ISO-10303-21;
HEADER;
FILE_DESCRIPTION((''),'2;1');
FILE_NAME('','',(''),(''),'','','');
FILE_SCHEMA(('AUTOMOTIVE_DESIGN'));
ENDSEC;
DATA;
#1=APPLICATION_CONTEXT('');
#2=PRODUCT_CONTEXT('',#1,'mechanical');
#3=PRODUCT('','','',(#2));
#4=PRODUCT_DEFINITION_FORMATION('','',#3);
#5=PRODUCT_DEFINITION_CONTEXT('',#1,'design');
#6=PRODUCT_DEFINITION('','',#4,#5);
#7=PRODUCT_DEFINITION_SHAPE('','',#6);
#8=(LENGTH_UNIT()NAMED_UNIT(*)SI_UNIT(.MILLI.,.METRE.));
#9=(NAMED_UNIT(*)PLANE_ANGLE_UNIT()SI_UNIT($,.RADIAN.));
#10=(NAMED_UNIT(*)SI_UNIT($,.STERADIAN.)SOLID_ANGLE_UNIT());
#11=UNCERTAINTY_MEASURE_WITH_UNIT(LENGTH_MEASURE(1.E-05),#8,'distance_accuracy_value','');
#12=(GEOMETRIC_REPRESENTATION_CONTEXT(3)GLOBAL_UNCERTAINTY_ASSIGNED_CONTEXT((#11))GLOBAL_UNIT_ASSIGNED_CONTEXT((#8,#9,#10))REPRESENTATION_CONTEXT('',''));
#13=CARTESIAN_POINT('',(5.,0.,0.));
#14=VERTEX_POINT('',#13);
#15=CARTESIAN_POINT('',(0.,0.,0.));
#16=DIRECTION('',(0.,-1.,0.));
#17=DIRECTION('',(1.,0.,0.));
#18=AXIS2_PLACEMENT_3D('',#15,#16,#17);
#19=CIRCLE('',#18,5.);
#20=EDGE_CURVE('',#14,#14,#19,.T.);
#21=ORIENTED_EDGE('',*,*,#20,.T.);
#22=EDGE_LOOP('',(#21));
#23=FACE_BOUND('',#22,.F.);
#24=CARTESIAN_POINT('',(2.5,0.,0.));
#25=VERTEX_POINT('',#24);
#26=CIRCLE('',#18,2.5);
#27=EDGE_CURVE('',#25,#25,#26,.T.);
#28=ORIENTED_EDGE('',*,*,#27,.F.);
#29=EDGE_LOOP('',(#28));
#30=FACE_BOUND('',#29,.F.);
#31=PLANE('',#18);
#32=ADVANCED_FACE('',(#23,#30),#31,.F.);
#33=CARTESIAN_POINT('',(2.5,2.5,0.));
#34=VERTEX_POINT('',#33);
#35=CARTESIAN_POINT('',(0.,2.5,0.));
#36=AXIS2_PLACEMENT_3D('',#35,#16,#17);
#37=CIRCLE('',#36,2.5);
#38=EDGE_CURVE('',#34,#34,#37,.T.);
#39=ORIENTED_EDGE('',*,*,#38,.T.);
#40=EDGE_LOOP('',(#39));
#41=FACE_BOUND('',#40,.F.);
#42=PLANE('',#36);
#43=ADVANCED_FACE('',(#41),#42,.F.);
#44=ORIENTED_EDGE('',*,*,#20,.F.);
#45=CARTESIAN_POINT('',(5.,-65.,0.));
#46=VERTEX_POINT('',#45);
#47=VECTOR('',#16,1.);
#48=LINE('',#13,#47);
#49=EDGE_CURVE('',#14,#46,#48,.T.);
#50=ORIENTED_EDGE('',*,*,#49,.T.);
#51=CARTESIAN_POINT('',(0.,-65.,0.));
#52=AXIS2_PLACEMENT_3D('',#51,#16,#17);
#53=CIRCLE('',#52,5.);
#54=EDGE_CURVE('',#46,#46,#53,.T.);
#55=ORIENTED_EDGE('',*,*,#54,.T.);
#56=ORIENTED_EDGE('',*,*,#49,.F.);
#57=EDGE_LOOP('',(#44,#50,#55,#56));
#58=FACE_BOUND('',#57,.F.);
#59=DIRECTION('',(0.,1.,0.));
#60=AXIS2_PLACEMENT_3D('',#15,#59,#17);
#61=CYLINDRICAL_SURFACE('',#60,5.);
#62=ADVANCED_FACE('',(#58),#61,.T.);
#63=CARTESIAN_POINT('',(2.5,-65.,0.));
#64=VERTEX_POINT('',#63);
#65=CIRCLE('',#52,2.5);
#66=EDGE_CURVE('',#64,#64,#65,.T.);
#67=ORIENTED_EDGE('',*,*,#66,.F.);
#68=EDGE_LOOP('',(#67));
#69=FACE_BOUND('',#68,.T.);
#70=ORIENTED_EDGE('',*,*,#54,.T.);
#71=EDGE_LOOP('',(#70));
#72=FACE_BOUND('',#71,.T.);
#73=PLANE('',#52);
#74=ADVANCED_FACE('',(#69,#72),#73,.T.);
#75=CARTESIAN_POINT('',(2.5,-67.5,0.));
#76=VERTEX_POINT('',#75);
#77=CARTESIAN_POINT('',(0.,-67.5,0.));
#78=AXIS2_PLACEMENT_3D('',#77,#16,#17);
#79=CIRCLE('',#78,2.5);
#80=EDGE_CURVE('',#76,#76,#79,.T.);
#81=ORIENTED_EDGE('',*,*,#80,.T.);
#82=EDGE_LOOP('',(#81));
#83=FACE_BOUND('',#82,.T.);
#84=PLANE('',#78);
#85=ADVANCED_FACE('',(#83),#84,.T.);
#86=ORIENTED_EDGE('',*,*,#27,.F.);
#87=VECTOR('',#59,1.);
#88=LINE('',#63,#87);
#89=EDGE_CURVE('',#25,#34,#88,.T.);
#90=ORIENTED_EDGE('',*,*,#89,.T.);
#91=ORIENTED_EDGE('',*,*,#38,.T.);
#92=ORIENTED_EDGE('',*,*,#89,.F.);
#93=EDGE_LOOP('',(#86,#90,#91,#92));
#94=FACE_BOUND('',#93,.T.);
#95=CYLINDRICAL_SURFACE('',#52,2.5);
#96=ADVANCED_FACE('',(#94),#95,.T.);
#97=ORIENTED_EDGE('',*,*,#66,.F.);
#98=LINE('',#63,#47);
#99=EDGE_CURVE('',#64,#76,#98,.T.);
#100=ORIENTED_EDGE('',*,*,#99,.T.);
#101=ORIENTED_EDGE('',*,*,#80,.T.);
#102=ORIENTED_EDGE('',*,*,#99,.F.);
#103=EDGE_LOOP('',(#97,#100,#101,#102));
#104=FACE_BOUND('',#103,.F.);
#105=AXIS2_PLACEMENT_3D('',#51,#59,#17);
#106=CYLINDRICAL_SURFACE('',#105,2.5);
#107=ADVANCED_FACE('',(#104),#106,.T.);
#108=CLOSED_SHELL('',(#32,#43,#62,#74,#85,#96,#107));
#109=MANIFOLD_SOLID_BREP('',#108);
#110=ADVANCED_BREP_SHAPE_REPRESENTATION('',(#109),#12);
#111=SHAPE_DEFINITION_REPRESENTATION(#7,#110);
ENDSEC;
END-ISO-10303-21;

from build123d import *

# Parameters (mm, degrees)
F0_R          = 5
F1_DEPTH      = 65
F2_R          = 2.5
F3_DEPTH      = 2.5
F3_DEPTH_BACK = 67.5


with BuildPart() as f1:
    # F0 (on Front) → F1 (new body)
    with BuildSketch(Plane.XZ):
        Circle(F0_R)
    extrude(amount=F1_DEPTH)

    # F2 (on face) → F3 (join, two sides)
    with BuildSketch(Plane.XZ.offset(65)) as f3_sk:
        Circle(F2_R)
    extrude(amount=F3_DEPTH)
    extrude(f3_sk.sketch, amount=-F3_DEPTH_BACK)


solid = f1.part
